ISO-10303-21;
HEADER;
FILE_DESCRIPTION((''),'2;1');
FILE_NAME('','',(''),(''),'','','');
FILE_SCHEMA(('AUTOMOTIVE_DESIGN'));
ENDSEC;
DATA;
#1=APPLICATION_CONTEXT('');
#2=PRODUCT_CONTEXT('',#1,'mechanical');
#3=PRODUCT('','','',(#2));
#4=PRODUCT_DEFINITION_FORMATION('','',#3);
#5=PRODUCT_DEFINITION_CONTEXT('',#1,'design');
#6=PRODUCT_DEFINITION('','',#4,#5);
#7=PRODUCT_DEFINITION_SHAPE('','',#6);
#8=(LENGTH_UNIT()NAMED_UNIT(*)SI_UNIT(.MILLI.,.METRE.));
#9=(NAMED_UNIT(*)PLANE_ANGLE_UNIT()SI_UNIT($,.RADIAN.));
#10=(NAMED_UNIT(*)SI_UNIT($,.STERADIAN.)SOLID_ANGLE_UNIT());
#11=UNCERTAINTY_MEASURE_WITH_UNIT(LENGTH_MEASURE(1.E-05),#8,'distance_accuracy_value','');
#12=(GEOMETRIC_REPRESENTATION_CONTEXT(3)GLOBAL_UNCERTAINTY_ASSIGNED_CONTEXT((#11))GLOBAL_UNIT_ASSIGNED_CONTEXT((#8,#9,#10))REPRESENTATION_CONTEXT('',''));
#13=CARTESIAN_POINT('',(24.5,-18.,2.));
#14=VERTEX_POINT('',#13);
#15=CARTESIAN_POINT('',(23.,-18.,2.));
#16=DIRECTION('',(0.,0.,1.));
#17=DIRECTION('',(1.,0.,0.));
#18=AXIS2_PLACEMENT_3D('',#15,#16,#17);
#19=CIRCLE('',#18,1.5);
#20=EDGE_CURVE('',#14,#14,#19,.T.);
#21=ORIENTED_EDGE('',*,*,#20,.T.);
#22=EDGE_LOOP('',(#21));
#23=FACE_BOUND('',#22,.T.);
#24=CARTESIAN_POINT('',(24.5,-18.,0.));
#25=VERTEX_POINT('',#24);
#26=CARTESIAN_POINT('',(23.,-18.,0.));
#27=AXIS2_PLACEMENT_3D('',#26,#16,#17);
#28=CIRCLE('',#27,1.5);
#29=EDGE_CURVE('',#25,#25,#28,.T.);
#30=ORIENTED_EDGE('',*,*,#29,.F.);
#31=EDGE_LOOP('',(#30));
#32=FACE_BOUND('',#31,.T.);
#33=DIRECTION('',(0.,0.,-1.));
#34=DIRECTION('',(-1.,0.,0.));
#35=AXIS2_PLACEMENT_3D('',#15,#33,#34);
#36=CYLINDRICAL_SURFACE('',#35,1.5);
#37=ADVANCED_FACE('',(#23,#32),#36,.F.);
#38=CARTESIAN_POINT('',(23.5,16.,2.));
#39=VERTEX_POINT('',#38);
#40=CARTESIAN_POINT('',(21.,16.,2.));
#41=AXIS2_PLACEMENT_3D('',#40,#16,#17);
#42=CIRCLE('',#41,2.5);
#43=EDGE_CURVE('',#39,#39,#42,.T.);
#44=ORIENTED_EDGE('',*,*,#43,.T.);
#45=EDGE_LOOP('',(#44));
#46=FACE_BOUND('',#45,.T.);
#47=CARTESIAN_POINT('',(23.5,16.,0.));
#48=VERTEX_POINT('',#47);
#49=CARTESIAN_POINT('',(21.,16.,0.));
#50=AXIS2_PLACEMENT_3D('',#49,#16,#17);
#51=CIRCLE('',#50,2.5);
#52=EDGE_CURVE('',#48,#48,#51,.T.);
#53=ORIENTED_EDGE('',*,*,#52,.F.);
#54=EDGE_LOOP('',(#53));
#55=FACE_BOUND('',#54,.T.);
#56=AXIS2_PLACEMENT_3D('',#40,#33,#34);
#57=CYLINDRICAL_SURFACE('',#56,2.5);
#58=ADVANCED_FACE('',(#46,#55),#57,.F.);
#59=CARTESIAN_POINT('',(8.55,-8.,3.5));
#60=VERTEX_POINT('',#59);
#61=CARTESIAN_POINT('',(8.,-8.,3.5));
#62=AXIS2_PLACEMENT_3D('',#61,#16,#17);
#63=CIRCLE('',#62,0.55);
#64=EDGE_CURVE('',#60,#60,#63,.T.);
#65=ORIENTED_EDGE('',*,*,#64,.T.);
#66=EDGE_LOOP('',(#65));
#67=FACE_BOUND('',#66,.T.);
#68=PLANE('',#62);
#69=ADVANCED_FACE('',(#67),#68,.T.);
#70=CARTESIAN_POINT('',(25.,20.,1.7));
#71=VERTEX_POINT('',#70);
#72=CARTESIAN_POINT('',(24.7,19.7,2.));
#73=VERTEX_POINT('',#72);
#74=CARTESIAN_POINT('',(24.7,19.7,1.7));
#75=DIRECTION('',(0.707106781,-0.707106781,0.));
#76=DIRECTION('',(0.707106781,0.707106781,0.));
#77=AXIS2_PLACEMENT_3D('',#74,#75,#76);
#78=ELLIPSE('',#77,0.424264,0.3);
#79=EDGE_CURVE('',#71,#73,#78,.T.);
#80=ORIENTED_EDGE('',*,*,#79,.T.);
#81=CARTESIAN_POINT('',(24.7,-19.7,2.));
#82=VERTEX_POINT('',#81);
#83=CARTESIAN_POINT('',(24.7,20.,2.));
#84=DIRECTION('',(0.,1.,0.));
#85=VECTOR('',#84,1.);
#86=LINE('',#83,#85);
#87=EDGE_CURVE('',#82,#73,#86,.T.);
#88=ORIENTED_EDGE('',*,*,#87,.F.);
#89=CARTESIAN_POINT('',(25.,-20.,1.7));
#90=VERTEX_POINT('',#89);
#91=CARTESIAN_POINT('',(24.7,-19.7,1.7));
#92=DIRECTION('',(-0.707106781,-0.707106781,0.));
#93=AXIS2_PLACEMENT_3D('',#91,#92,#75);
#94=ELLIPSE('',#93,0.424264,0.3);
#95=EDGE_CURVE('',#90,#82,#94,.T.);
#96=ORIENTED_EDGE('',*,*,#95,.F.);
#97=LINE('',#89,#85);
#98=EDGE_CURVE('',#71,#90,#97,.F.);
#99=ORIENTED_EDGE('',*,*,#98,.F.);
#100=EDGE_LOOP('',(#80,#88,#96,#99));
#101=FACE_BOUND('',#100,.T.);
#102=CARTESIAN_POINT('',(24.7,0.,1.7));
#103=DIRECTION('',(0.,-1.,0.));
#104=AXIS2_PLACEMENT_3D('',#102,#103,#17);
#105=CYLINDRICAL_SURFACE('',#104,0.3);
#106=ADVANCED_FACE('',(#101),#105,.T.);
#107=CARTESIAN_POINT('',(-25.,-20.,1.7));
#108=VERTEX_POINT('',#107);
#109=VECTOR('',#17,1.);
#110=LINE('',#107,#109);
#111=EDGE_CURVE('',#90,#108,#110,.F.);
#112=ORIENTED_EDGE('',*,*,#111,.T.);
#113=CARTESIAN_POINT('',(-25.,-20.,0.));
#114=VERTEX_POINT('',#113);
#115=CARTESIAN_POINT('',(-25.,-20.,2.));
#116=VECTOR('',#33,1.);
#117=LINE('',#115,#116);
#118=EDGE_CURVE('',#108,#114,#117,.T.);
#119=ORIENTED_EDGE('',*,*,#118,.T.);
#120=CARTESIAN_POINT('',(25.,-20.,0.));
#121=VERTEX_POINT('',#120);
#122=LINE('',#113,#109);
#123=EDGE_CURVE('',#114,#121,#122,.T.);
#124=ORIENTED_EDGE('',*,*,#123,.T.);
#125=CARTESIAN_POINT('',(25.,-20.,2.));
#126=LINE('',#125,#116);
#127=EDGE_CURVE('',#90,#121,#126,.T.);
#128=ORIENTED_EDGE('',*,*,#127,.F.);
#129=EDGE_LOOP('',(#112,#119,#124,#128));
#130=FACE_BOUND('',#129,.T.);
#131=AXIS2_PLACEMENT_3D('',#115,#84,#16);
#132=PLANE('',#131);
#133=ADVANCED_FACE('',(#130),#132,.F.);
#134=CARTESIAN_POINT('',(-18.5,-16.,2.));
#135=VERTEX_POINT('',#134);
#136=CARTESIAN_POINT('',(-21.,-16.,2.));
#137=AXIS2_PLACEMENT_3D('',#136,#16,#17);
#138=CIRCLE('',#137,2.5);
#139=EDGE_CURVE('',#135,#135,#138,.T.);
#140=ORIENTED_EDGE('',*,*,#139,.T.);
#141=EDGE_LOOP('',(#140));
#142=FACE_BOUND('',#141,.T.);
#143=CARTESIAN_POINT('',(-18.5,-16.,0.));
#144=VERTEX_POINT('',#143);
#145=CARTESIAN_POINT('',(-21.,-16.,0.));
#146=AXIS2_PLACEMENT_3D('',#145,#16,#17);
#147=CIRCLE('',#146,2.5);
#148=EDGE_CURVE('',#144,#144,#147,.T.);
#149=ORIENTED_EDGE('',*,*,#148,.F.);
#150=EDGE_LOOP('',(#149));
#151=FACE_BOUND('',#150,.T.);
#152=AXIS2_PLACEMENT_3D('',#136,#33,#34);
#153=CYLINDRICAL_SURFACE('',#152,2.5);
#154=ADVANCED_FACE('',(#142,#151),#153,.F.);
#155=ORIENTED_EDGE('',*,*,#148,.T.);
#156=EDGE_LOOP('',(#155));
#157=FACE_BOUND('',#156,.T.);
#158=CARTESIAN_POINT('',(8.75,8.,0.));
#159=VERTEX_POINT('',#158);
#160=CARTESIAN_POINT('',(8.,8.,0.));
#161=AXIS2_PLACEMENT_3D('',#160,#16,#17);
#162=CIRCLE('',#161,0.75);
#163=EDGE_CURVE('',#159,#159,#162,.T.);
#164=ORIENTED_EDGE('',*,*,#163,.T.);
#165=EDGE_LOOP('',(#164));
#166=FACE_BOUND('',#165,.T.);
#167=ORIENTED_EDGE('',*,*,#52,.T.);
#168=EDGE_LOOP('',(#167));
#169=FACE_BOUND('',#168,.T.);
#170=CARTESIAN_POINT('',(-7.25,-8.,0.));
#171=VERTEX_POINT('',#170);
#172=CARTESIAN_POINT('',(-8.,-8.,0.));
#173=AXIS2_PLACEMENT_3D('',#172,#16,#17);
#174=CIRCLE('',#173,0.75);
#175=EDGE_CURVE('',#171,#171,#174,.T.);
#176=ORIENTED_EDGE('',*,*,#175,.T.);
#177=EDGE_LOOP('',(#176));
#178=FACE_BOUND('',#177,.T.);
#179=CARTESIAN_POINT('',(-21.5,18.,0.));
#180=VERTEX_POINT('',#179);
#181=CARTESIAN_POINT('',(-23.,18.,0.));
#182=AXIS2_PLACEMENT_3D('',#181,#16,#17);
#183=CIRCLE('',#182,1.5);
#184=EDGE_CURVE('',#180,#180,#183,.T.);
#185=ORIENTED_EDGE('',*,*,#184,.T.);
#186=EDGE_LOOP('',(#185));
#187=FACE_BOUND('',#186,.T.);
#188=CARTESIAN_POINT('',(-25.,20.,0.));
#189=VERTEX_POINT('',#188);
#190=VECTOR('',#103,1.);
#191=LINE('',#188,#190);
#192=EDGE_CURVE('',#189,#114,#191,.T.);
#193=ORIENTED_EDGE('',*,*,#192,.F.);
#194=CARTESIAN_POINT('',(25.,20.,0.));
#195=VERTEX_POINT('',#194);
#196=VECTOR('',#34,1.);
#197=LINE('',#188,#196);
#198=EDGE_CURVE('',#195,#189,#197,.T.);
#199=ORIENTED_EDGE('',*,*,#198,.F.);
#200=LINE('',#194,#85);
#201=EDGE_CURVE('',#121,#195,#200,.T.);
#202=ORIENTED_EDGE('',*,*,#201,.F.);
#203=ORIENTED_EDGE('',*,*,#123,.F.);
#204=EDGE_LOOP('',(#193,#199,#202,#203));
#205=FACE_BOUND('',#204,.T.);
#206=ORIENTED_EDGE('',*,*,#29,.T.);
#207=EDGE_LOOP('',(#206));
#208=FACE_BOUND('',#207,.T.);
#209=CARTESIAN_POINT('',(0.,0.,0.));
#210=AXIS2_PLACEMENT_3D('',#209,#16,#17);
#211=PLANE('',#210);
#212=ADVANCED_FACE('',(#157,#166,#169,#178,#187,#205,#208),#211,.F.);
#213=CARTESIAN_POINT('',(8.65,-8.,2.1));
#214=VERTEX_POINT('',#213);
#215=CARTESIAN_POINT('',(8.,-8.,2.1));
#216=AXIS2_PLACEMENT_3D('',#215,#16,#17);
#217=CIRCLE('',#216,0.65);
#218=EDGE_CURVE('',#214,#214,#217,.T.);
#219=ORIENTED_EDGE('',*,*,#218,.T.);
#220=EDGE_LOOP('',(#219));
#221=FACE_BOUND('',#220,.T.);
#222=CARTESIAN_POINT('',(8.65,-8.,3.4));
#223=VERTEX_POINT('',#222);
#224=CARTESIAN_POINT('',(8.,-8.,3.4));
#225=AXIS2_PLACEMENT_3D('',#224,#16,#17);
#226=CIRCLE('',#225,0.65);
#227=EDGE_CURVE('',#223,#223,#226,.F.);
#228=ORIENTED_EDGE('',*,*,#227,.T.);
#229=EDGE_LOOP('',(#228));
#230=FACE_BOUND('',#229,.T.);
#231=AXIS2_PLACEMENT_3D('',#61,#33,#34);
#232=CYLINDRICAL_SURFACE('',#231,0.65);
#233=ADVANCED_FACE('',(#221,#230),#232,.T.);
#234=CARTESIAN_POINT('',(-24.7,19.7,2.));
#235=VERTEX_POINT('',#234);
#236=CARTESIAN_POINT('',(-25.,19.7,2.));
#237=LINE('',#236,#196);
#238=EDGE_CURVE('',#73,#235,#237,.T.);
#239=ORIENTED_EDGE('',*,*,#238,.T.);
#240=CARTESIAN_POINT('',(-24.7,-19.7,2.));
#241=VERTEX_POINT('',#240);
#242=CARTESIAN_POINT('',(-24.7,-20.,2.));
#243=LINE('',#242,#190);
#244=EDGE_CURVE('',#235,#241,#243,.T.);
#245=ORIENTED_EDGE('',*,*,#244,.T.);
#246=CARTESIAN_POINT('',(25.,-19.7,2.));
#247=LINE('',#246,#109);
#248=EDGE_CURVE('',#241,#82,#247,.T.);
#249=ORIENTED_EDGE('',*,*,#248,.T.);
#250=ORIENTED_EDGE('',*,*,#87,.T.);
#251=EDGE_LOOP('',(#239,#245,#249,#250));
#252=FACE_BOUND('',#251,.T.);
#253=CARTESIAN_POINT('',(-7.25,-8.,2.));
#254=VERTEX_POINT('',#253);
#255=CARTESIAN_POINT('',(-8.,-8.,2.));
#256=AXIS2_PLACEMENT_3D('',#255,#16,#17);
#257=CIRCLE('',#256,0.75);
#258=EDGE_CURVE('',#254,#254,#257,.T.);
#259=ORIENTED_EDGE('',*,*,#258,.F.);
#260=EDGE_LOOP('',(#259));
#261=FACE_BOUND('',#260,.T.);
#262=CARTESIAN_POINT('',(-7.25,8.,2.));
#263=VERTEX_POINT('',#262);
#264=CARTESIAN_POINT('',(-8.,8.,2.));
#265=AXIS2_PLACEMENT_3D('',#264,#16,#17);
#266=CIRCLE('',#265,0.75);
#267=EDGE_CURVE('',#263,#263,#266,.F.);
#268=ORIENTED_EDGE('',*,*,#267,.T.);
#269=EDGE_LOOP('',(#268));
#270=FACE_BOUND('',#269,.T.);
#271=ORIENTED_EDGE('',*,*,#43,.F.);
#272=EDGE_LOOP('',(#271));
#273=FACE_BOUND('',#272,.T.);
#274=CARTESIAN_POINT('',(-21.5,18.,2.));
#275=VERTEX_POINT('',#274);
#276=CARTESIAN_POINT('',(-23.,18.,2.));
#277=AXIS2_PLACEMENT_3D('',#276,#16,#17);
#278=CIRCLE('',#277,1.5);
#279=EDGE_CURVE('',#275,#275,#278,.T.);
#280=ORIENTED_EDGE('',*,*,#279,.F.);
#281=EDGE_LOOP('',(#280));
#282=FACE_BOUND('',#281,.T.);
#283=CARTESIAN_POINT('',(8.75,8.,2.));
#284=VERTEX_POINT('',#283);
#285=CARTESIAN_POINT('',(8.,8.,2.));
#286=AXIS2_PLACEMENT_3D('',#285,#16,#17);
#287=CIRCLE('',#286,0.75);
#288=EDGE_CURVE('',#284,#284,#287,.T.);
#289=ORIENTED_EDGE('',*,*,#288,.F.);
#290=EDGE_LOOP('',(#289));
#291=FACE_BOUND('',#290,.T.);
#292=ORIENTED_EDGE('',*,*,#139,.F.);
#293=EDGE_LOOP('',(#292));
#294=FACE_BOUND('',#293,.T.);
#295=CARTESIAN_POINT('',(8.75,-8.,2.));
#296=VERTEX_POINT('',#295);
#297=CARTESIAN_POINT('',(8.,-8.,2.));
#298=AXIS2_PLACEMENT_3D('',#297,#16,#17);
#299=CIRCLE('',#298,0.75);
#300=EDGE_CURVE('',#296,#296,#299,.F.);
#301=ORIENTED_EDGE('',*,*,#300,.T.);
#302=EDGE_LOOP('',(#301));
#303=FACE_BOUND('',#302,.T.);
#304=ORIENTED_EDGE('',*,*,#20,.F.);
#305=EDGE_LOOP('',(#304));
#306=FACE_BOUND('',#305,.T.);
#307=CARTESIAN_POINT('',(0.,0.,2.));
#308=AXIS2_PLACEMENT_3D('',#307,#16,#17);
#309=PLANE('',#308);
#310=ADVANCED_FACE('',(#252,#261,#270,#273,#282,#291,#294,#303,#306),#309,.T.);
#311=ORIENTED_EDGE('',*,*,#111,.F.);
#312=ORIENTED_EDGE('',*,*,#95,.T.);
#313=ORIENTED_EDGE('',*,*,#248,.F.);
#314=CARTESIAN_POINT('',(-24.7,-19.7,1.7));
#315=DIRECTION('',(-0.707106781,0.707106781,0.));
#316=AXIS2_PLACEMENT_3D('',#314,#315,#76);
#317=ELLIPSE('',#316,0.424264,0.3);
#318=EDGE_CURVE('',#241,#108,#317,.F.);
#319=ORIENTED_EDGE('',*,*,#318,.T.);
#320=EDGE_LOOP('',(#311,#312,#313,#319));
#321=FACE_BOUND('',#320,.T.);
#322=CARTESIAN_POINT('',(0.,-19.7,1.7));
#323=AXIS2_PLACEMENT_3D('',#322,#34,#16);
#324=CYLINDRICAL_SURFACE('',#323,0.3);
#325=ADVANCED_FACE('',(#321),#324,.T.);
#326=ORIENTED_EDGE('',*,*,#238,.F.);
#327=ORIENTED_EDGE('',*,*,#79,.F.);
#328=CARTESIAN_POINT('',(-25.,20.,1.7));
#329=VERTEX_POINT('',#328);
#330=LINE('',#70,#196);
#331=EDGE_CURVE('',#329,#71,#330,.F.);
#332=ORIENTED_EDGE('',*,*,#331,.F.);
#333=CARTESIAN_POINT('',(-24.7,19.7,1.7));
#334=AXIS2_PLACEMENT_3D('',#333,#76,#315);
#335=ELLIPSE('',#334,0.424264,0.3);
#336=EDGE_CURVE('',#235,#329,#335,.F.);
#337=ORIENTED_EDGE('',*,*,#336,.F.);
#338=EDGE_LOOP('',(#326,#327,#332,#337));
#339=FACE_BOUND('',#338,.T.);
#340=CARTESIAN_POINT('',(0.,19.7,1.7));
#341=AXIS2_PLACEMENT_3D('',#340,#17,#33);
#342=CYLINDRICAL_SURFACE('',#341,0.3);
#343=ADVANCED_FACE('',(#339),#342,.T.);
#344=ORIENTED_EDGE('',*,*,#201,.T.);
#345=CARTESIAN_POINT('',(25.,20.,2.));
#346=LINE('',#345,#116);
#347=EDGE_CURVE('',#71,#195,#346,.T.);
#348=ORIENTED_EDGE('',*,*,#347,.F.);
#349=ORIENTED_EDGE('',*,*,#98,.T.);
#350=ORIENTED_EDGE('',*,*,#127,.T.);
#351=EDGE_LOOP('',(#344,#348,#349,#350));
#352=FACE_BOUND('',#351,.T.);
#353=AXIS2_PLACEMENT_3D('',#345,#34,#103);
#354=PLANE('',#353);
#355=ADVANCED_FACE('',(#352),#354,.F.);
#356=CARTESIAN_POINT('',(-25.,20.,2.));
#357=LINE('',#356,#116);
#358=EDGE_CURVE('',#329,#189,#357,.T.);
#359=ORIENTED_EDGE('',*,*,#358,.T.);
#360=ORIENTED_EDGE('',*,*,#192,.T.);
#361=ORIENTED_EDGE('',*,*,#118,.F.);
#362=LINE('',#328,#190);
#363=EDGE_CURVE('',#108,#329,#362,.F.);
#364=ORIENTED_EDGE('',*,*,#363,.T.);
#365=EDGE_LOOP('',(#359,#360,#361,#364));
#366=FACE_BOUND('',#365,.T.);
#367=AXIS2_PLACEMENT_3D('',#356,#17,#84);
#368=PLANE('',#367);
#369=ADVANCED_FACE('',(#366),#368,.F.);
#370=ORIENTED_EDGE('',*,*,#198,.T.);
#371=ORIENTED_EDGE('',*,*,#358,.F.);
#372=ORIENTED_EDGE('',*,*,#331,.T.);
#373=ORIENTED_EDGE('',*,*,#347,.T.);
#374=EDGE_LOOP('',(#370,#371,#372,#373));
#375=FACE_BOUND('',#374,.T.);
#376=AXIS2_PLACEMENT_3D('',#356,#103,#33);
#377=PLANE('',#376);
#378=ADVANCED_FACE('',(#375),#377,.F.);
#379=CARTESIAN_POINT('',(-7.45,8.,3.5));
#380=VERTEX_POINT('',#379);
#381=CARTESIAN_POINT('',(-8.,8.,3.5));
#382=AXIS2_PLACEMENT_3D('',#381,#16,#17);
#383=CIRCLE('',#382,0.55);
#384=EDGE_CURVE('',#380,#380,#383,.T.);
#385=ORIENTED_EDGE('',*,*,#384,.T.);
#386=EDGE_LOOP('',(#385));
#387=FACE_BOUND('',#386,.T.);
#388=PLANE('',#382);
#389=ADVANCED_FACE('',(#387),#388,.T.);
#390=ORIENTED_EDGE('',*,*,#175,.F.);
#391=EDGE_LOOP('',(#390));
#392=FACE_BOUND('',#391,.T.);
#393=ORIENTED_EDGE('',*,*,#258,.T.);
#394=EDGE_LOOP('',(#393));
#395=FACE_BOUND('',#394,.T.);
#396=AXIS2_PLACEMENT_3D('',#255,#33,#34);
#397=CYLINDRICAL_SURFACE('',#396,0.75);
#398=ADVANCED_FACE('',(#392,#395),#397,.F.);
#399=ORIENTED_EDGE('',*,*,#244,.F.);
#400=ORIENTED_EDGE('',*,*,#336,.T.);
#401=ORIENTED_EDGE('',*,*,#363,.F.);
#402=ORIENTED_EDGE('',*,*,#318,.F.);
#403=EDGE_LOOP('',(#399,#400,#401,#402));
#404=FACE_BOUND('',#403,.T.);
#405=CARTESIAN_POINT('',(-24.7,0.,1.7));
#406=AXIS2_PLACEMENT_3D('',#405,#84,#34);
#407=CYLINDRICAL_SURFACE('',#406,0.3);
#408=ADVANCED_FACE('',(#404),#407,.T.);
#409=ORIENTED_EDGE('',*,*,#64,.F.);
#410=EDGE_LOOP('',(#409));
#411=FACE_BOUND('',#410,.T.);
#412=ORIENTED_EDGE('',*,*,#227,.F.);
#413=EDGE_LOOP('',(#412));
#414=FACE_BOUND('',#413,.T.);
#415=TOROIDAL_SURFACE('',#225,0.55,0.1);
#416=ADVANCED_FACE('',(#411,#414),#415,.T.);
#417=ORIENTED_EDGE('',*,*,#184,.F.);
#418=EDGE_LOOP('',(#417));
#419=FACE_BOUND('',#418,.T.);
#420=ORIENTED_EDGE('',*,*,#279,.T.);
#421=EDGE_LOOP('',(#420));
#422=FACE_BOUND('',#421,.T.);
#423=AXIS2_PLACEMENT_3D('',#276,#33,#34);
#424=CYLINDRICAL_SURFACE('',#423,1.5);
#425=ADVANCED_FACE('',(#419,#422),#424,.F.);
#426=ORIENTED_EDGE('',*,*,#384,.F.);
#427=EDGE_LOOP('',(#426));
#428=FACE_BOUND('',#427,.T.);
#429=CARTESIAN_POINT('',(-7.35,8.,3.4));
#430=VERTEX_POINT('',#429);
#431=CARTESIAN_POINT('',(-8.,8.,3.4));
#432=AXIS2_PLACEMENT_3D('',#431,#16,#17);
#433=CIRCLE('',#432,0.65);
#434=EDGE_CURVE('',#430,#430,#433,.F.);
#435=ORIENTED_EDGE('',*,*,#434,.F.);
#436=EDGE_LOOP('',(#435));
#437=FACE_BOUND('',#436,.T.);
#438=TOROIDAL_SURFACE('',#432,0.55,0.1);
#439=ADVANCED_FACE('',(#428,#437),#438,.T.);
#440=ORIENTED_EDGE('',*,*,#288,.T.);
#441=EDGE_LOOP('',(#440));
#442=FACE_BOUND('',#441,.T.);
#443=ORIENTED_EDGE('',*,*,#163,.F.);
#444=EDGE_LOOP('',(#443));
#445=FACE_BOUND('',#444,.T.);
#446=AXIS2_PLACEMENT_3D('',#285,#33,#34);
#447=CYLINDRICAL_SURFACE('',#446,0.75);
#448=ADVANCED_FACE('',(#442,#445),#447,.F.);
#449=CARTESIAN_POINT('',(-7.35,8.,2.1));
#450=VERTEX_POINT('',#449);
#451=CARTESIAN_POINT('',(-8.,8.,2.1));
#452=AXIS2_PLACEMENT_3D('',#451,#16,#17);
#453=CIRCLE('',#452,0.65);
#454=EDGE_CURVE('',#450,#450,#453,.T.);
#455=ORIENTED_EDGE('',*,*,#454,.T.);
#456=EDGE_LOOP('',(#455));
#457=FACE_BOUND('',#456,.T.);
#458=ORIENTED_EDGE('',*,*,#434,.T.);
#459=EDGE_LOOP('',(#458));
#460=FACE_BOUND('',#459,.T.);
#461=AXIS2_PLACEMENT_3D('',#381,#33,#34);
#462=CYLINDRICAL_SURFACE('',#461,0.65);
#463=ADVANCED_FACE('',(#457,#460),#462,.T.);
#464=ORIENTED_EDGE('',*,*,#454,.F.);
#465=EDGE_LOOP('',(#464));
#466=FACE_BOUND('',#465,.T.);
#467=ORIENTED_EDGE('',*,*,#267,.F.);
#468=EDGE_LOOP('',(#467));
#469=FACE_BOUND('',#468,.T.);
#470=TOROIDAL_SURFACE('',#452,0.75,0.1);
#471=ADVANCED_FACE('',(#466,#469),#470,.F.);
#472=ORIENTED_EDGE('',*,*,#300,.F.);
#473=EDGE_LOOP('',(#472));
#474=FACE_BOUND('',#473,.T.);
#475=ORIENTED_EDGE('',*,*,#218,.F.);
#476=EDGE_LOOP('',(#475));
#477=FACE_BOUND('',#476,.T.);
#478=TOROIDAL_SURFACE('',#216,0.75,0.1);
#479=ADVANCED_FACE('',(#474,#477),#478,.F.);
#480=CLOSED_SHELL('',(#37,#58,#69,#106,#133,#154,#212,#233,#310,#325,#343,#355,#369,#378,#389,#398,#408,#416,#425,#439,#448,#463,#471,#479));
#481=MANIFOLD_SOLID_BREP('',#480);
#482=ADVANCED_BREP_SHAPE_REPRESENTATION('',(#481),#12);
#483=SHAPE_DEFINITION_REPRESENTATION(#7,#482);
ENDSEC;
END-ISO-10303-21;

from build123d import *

# Parameters (mm, degrees)
SKETCH1_W           = 50
SKETCH1_H           = 40
SKETCH1_R           = 1.5
SKETCH1_R_2         = 0.75
SKETCH1_R_3         = 2.5
BOSS_EXTRUDE1_DEPTH = 2
FILLET1_R           = 0.3
BOSS_EXTRUDE2_START = 1
SKETCH2_R           = 0.65
BOSS_EXTRUDE2_DEPTH = 2.5
FILLET2_R           = 0.1


with BuildPart() as part:
    # Sketch1 → Boss-Extrude1 (new body)
    with BuildSketch(Plane.XY):
        Rectangle(SKETCH1_W, SKETCH1_H)
        with Locations((-23, 18)):
            Circle(SKETCH1_R, mode=Mode.SUBTRACT)
        with Locations((23, -18)):
            Circle(SKETCH1_R, mode=Mode.SUBTRACT)
        with Locations((8, 8)):
            Circle(SKETCH1_R_2, mode=Mode.SUBTRACT)
        with Locations((-8, -8)):
            Circle(SKETCH1_R_2, mode=Mode.SUBTRACT)
        with Locations((-21, -16)):
            Circle(SKETCH1_R_3, mode=Mode.SUBTRACT)
        with Locations((21, 16)):
            Circle(SKETCH1_R_3, mode=Mode.SUBTRACT)
    extrude(amount=BOSS_EXTRUDE1_DEPTH)

    # Fillet1
    fillet1_edges = [part.edges().sort_by_distance(p)[0] for p in [
        (-25, 0, 2),
        (0, -20, 2),
        (25, 0, 2),
        (0, 20, 2),
    ]]
    fillet(fillet1_edges, radius=FILLET1_R)

    # Sketch2 → Boss-Extrude2 (add)
    with BuildSketch(Plane.XY.offset(BOSS_EXTRUDE2_START)):
        with Locations((-8, 8)):
            Circle(SKETCH2_R)
        with Locations((8, -8)):
            Circle(SKETCH2_R)
    extrude(amount=BOSS_EXTRUDE2_DEPTH)

    # Fillet2
    fillet2_edges = [part.edges().sort_by_distance(p)[0] for p in [
        (-8.65, 8, 2),
        (-8.65, 8, 3.5),
        (7.35, -8, 2),
        (7.35, -8, 3.5),
    ]]
    fillet(fillet2_edges, radius=FILLET2_R)


solid = part.part
